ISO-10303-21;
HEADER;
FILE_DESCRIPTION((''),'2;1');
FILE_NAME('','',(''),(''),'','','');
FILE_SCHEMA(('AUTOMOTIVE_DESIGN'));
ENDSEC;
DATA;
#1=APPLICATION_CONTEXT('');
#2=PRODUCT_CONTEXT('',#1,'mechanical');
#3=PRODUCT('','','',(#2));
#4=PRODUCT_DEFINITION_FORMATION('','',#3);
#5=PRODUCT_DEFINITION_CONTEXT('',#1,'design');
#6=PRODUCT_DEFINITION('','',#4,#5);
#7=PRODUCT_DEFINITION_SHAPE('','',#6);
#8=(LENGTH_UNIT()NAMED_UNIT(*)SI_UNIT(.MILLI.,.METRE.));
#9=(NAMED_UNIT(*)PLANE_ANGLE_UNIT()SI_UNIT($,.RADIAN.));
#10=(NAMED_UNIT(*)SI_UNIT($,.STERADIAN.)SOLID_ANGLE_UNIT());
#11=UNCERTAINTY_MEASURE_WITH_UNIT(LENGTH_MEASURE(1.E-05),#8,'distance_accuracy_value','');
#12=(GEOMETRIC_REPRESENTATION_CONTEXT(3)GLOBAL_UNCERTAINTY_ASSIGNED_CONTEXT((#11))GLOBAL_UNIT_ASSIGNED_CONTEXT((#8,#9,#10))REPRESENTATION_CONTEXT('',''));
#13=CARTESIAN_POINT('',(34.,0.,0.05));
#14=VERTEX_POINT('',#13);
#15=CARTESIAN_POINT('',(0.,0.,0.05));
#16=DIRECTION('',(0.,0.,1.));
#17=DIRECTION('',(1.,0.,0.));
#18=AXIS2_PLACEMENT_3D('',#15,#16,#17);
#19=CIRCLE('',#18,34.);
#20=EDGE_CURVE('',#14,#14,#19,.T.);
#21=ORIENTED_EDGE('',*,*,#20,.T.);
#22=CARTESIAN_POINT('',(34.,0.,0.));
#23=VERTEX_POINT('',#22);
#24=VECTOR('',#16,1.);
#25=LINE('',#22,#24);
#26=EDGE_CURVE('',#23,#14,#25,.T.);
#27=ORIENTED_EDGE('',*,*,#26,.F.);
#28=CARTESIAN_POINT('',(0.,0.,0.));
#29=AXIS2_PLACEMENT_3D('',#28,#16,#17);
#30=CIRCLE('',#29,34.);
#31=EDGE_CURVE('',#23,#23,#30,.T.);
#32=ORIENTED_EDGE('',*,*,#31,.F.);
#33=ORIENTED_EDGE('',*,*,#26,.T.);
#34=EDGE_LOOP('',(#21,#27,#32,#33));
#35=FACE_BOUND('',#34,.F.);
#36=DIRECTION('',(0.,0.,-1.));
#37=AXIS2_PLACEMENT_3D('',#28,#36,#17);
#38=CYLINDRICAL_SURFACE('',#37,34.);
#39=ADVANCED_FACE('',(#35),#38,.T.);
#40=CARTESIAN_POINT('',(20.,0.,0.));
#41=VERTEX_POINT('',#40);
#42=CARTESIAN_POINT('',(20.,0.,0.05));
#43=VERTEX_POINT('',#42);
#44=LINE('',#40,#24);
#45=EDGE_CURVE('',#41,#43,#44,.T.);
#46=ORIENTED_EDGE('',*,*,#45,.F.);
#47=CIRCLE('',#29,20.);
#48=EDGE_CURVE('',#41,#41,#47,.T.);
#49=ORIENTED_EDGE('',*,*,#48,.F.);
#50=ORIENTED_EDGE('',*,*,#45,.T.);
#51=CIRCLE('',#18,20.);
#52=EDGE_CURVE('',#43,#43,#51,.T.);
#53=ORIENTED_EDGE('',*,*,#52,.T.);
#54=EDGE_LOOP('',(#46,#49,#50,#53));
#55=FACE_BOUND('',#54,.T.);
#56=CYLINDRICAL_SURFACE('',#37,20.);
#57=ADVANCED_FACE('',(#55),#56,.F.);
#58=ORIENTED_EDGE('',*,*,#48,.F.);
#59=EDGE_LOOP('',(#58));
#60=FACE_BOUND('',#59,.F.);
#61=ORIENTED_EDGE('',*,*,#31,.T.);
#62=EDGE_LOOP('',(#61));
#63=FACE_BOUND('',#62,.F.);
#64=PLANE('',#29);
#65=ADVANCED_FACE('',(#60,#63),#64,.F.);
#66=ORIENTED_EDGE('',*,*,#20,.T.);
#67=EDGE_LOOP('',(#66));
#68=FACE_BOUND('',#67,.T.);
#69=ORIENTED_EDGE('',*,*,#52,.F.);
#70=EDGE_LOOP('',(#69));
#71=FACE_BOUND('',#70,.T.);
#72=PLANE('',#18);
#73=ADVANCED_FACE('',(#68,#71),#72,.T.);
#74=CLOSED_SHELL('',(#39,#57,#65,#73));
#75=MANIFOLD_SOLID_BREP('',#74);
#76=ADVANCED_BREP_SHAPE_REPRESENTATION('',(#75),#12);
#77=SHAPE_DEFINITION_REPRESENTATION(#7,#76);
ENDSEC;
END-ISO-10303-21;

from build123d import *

# Parameters (mm, degrees)
F0_R     = 34
F0_R_2   = 26.5
F0_R_3   = 20
F1_DEPTH = 0.05


with BuildPart() as f1:
    # F0 (on Top) → F1 (new body)
    with BuildSketch(Plane.XY):
        Circle(F0_R)
        Circle(F0_R_2, mode=Mode.SUBTRACT)
        Circle(F0_R_2)
        Circle(F0_R_3, mode=Mode.SUBTRACT)
    extrude(amount=F1_DEPTH)


solid = f1.part
